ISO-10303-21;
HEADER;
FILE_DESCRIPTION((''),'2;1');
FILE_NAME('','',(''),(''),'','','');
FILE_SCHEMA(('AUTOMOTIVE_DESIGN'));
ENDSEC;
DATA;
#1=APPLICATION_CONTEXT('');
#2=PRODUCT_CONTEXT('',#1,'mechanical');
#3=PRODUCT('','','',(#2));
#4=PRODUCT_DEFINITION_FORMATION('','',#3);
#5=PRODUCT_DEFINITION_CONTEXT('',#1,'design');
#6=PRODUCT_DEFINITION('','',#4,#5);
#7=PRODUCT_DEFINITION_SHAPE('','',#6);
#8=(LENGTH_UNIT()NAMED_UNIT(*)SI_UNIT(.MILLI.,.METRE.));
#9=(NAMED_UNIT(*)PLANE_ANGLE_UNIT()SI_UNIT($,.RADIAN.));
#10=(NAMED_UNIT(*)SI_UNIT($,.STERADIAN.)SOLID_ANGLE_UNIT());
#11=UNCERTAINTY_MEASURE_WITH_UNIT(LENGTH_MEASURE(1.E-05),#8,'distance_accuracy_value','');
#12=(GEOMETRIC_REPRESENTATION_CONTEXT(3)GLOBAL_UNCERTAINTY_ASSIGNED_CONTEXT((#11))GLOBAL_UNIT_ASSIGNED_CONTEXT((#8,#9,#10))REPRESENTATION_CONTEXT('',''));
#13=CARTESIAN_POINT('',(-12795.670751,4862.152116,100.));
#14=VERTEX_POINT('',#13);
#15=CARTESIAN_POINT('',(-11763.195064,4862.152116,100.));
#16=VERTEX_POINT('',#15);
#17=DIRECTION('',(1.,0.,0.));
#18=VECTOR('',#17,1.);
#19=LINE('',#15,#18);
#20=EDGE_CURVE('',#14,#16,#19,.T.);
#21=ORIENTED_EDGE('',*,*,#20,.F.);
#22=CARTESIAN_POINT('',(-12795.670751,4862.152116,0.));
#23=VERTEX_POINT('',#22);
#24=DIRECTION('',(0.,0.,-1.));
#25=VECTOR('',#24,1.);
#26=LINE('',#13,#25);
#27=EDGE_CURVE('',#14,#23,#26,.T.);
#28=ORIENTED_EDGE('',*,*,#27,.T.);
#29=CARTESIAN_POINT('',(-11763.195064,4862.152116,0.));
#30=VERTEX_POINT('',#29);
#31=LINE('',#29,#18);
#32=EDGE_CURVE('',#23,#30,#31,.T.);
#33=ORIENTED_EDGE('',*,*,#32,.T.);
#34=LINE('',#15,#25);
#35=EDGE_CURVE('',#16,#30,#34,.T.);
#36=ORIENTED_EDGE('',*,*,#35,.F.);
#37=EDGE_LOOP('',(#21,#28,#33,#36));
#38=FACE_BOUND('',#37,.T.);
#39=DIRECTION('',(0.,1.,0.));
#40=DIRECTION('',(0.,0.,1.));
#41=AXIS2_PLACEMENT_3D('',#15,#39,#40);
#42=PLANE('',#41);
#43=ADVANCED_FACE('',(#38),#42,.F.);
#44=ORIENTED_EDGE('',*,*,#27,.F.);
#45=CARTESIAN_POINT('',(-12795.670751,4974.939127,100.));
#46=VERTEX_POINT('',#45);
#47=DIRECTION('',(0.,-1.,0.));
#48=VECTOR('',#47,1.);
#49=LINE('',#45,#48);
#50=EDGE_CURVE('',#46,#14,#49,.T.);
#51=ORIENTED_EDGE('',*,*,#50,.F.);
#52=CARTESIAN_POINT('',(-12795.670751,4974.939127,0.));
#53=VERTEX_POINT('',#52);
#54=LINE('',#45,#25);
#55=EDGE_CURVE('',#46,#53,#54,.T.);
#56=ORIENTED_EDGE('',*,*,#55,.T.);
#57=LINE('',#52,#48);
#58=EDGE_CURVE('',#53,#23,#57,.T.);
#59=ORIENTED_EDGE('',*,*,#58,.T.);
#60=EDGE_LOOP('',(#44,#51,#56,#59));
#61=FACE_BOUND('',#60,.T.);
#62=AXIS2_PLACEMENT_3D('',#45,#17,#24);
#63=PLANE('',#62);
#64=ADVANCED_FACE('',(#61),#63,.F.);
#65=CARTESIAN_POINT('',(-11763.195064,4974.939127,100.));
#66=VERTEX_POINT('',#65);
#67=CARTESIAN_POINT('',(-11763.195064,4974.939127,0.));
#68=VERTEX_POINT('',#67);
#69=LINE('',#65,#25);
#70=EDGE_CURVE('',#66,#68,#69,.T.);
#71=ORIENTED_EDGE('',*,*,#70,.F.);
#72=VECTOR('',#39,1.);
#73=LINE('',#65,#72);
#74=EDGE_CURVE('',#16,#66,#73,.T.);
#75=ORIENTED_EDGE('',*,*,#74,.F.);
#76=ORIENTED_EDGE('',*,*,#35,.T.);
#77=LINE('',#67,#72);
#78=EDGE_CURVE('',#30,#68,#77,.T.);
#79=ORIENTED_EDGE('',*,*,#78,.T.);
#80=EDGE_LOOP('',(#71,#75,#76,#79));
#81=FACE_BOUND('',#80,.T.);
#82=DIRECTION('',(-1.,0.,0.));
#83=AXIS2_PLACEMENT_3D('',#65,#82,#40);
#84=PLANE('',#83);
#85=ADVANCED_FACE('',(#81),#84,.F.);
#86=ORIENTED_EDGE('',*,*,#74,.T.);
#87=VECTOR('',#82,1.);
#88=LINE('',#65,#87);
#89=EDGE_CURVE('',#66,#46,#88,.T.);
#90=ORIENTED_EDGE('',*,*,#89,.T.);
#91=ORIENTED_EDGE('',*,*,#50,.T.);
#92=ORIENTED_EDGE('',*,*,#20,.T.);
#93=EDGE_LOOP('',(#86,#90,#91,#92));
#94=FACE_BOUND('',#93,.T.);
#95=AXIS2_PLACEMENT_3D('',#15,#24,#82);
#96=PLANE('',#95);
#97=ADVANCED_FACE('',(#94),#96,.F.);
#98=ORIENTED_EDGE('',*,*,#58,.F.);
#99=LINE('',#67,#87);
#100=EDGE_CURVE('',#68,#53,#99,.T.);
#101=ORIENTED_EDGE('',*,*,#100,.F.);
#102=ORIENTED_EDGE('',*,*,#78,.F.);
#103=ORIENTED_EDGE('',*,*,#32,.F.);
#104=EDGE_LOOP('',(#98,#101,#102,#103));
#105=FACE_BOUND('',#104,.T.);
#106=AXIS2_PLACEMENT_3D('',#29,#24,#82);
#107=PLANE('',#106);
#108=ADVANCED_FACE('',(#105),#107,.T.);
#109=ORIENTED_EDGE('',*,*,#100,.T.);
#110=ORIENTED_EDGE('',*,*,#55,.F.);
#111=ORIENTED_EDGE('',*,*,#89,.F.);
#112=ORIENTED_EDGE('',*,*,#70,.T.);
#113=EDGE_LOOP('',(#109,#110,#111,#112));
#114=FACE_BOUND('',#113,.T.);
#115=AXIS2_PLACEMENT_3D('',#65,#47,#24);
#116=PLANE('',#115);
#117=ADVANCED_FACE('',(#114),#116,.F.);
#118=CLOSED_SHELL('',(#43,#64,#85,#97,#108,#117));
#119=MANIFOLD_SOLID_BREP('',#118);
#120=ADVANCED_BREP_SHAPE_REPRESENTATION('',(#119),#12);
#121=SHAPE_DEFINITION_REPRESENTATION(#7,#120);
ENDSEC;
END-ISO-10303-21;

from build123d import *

# Parameters (mm, degrees)
SKETCH1_W      = 1032.475687356
SKETCH1_H      = 112.787010209
EXTRUDE1_DEPTH = 100


with BuildPart() as part:
    # Sketch1 → Extrude1 (new body)
    with BuildSketch(Plane.XY):
        with Locations((-12279.432907742, 4918.545621568)):
            Rectangle(SKETCH1_W, SKETCH1_H)
    extrude(amount=EXTRUDE1_DEPTH)


solid = part.part
